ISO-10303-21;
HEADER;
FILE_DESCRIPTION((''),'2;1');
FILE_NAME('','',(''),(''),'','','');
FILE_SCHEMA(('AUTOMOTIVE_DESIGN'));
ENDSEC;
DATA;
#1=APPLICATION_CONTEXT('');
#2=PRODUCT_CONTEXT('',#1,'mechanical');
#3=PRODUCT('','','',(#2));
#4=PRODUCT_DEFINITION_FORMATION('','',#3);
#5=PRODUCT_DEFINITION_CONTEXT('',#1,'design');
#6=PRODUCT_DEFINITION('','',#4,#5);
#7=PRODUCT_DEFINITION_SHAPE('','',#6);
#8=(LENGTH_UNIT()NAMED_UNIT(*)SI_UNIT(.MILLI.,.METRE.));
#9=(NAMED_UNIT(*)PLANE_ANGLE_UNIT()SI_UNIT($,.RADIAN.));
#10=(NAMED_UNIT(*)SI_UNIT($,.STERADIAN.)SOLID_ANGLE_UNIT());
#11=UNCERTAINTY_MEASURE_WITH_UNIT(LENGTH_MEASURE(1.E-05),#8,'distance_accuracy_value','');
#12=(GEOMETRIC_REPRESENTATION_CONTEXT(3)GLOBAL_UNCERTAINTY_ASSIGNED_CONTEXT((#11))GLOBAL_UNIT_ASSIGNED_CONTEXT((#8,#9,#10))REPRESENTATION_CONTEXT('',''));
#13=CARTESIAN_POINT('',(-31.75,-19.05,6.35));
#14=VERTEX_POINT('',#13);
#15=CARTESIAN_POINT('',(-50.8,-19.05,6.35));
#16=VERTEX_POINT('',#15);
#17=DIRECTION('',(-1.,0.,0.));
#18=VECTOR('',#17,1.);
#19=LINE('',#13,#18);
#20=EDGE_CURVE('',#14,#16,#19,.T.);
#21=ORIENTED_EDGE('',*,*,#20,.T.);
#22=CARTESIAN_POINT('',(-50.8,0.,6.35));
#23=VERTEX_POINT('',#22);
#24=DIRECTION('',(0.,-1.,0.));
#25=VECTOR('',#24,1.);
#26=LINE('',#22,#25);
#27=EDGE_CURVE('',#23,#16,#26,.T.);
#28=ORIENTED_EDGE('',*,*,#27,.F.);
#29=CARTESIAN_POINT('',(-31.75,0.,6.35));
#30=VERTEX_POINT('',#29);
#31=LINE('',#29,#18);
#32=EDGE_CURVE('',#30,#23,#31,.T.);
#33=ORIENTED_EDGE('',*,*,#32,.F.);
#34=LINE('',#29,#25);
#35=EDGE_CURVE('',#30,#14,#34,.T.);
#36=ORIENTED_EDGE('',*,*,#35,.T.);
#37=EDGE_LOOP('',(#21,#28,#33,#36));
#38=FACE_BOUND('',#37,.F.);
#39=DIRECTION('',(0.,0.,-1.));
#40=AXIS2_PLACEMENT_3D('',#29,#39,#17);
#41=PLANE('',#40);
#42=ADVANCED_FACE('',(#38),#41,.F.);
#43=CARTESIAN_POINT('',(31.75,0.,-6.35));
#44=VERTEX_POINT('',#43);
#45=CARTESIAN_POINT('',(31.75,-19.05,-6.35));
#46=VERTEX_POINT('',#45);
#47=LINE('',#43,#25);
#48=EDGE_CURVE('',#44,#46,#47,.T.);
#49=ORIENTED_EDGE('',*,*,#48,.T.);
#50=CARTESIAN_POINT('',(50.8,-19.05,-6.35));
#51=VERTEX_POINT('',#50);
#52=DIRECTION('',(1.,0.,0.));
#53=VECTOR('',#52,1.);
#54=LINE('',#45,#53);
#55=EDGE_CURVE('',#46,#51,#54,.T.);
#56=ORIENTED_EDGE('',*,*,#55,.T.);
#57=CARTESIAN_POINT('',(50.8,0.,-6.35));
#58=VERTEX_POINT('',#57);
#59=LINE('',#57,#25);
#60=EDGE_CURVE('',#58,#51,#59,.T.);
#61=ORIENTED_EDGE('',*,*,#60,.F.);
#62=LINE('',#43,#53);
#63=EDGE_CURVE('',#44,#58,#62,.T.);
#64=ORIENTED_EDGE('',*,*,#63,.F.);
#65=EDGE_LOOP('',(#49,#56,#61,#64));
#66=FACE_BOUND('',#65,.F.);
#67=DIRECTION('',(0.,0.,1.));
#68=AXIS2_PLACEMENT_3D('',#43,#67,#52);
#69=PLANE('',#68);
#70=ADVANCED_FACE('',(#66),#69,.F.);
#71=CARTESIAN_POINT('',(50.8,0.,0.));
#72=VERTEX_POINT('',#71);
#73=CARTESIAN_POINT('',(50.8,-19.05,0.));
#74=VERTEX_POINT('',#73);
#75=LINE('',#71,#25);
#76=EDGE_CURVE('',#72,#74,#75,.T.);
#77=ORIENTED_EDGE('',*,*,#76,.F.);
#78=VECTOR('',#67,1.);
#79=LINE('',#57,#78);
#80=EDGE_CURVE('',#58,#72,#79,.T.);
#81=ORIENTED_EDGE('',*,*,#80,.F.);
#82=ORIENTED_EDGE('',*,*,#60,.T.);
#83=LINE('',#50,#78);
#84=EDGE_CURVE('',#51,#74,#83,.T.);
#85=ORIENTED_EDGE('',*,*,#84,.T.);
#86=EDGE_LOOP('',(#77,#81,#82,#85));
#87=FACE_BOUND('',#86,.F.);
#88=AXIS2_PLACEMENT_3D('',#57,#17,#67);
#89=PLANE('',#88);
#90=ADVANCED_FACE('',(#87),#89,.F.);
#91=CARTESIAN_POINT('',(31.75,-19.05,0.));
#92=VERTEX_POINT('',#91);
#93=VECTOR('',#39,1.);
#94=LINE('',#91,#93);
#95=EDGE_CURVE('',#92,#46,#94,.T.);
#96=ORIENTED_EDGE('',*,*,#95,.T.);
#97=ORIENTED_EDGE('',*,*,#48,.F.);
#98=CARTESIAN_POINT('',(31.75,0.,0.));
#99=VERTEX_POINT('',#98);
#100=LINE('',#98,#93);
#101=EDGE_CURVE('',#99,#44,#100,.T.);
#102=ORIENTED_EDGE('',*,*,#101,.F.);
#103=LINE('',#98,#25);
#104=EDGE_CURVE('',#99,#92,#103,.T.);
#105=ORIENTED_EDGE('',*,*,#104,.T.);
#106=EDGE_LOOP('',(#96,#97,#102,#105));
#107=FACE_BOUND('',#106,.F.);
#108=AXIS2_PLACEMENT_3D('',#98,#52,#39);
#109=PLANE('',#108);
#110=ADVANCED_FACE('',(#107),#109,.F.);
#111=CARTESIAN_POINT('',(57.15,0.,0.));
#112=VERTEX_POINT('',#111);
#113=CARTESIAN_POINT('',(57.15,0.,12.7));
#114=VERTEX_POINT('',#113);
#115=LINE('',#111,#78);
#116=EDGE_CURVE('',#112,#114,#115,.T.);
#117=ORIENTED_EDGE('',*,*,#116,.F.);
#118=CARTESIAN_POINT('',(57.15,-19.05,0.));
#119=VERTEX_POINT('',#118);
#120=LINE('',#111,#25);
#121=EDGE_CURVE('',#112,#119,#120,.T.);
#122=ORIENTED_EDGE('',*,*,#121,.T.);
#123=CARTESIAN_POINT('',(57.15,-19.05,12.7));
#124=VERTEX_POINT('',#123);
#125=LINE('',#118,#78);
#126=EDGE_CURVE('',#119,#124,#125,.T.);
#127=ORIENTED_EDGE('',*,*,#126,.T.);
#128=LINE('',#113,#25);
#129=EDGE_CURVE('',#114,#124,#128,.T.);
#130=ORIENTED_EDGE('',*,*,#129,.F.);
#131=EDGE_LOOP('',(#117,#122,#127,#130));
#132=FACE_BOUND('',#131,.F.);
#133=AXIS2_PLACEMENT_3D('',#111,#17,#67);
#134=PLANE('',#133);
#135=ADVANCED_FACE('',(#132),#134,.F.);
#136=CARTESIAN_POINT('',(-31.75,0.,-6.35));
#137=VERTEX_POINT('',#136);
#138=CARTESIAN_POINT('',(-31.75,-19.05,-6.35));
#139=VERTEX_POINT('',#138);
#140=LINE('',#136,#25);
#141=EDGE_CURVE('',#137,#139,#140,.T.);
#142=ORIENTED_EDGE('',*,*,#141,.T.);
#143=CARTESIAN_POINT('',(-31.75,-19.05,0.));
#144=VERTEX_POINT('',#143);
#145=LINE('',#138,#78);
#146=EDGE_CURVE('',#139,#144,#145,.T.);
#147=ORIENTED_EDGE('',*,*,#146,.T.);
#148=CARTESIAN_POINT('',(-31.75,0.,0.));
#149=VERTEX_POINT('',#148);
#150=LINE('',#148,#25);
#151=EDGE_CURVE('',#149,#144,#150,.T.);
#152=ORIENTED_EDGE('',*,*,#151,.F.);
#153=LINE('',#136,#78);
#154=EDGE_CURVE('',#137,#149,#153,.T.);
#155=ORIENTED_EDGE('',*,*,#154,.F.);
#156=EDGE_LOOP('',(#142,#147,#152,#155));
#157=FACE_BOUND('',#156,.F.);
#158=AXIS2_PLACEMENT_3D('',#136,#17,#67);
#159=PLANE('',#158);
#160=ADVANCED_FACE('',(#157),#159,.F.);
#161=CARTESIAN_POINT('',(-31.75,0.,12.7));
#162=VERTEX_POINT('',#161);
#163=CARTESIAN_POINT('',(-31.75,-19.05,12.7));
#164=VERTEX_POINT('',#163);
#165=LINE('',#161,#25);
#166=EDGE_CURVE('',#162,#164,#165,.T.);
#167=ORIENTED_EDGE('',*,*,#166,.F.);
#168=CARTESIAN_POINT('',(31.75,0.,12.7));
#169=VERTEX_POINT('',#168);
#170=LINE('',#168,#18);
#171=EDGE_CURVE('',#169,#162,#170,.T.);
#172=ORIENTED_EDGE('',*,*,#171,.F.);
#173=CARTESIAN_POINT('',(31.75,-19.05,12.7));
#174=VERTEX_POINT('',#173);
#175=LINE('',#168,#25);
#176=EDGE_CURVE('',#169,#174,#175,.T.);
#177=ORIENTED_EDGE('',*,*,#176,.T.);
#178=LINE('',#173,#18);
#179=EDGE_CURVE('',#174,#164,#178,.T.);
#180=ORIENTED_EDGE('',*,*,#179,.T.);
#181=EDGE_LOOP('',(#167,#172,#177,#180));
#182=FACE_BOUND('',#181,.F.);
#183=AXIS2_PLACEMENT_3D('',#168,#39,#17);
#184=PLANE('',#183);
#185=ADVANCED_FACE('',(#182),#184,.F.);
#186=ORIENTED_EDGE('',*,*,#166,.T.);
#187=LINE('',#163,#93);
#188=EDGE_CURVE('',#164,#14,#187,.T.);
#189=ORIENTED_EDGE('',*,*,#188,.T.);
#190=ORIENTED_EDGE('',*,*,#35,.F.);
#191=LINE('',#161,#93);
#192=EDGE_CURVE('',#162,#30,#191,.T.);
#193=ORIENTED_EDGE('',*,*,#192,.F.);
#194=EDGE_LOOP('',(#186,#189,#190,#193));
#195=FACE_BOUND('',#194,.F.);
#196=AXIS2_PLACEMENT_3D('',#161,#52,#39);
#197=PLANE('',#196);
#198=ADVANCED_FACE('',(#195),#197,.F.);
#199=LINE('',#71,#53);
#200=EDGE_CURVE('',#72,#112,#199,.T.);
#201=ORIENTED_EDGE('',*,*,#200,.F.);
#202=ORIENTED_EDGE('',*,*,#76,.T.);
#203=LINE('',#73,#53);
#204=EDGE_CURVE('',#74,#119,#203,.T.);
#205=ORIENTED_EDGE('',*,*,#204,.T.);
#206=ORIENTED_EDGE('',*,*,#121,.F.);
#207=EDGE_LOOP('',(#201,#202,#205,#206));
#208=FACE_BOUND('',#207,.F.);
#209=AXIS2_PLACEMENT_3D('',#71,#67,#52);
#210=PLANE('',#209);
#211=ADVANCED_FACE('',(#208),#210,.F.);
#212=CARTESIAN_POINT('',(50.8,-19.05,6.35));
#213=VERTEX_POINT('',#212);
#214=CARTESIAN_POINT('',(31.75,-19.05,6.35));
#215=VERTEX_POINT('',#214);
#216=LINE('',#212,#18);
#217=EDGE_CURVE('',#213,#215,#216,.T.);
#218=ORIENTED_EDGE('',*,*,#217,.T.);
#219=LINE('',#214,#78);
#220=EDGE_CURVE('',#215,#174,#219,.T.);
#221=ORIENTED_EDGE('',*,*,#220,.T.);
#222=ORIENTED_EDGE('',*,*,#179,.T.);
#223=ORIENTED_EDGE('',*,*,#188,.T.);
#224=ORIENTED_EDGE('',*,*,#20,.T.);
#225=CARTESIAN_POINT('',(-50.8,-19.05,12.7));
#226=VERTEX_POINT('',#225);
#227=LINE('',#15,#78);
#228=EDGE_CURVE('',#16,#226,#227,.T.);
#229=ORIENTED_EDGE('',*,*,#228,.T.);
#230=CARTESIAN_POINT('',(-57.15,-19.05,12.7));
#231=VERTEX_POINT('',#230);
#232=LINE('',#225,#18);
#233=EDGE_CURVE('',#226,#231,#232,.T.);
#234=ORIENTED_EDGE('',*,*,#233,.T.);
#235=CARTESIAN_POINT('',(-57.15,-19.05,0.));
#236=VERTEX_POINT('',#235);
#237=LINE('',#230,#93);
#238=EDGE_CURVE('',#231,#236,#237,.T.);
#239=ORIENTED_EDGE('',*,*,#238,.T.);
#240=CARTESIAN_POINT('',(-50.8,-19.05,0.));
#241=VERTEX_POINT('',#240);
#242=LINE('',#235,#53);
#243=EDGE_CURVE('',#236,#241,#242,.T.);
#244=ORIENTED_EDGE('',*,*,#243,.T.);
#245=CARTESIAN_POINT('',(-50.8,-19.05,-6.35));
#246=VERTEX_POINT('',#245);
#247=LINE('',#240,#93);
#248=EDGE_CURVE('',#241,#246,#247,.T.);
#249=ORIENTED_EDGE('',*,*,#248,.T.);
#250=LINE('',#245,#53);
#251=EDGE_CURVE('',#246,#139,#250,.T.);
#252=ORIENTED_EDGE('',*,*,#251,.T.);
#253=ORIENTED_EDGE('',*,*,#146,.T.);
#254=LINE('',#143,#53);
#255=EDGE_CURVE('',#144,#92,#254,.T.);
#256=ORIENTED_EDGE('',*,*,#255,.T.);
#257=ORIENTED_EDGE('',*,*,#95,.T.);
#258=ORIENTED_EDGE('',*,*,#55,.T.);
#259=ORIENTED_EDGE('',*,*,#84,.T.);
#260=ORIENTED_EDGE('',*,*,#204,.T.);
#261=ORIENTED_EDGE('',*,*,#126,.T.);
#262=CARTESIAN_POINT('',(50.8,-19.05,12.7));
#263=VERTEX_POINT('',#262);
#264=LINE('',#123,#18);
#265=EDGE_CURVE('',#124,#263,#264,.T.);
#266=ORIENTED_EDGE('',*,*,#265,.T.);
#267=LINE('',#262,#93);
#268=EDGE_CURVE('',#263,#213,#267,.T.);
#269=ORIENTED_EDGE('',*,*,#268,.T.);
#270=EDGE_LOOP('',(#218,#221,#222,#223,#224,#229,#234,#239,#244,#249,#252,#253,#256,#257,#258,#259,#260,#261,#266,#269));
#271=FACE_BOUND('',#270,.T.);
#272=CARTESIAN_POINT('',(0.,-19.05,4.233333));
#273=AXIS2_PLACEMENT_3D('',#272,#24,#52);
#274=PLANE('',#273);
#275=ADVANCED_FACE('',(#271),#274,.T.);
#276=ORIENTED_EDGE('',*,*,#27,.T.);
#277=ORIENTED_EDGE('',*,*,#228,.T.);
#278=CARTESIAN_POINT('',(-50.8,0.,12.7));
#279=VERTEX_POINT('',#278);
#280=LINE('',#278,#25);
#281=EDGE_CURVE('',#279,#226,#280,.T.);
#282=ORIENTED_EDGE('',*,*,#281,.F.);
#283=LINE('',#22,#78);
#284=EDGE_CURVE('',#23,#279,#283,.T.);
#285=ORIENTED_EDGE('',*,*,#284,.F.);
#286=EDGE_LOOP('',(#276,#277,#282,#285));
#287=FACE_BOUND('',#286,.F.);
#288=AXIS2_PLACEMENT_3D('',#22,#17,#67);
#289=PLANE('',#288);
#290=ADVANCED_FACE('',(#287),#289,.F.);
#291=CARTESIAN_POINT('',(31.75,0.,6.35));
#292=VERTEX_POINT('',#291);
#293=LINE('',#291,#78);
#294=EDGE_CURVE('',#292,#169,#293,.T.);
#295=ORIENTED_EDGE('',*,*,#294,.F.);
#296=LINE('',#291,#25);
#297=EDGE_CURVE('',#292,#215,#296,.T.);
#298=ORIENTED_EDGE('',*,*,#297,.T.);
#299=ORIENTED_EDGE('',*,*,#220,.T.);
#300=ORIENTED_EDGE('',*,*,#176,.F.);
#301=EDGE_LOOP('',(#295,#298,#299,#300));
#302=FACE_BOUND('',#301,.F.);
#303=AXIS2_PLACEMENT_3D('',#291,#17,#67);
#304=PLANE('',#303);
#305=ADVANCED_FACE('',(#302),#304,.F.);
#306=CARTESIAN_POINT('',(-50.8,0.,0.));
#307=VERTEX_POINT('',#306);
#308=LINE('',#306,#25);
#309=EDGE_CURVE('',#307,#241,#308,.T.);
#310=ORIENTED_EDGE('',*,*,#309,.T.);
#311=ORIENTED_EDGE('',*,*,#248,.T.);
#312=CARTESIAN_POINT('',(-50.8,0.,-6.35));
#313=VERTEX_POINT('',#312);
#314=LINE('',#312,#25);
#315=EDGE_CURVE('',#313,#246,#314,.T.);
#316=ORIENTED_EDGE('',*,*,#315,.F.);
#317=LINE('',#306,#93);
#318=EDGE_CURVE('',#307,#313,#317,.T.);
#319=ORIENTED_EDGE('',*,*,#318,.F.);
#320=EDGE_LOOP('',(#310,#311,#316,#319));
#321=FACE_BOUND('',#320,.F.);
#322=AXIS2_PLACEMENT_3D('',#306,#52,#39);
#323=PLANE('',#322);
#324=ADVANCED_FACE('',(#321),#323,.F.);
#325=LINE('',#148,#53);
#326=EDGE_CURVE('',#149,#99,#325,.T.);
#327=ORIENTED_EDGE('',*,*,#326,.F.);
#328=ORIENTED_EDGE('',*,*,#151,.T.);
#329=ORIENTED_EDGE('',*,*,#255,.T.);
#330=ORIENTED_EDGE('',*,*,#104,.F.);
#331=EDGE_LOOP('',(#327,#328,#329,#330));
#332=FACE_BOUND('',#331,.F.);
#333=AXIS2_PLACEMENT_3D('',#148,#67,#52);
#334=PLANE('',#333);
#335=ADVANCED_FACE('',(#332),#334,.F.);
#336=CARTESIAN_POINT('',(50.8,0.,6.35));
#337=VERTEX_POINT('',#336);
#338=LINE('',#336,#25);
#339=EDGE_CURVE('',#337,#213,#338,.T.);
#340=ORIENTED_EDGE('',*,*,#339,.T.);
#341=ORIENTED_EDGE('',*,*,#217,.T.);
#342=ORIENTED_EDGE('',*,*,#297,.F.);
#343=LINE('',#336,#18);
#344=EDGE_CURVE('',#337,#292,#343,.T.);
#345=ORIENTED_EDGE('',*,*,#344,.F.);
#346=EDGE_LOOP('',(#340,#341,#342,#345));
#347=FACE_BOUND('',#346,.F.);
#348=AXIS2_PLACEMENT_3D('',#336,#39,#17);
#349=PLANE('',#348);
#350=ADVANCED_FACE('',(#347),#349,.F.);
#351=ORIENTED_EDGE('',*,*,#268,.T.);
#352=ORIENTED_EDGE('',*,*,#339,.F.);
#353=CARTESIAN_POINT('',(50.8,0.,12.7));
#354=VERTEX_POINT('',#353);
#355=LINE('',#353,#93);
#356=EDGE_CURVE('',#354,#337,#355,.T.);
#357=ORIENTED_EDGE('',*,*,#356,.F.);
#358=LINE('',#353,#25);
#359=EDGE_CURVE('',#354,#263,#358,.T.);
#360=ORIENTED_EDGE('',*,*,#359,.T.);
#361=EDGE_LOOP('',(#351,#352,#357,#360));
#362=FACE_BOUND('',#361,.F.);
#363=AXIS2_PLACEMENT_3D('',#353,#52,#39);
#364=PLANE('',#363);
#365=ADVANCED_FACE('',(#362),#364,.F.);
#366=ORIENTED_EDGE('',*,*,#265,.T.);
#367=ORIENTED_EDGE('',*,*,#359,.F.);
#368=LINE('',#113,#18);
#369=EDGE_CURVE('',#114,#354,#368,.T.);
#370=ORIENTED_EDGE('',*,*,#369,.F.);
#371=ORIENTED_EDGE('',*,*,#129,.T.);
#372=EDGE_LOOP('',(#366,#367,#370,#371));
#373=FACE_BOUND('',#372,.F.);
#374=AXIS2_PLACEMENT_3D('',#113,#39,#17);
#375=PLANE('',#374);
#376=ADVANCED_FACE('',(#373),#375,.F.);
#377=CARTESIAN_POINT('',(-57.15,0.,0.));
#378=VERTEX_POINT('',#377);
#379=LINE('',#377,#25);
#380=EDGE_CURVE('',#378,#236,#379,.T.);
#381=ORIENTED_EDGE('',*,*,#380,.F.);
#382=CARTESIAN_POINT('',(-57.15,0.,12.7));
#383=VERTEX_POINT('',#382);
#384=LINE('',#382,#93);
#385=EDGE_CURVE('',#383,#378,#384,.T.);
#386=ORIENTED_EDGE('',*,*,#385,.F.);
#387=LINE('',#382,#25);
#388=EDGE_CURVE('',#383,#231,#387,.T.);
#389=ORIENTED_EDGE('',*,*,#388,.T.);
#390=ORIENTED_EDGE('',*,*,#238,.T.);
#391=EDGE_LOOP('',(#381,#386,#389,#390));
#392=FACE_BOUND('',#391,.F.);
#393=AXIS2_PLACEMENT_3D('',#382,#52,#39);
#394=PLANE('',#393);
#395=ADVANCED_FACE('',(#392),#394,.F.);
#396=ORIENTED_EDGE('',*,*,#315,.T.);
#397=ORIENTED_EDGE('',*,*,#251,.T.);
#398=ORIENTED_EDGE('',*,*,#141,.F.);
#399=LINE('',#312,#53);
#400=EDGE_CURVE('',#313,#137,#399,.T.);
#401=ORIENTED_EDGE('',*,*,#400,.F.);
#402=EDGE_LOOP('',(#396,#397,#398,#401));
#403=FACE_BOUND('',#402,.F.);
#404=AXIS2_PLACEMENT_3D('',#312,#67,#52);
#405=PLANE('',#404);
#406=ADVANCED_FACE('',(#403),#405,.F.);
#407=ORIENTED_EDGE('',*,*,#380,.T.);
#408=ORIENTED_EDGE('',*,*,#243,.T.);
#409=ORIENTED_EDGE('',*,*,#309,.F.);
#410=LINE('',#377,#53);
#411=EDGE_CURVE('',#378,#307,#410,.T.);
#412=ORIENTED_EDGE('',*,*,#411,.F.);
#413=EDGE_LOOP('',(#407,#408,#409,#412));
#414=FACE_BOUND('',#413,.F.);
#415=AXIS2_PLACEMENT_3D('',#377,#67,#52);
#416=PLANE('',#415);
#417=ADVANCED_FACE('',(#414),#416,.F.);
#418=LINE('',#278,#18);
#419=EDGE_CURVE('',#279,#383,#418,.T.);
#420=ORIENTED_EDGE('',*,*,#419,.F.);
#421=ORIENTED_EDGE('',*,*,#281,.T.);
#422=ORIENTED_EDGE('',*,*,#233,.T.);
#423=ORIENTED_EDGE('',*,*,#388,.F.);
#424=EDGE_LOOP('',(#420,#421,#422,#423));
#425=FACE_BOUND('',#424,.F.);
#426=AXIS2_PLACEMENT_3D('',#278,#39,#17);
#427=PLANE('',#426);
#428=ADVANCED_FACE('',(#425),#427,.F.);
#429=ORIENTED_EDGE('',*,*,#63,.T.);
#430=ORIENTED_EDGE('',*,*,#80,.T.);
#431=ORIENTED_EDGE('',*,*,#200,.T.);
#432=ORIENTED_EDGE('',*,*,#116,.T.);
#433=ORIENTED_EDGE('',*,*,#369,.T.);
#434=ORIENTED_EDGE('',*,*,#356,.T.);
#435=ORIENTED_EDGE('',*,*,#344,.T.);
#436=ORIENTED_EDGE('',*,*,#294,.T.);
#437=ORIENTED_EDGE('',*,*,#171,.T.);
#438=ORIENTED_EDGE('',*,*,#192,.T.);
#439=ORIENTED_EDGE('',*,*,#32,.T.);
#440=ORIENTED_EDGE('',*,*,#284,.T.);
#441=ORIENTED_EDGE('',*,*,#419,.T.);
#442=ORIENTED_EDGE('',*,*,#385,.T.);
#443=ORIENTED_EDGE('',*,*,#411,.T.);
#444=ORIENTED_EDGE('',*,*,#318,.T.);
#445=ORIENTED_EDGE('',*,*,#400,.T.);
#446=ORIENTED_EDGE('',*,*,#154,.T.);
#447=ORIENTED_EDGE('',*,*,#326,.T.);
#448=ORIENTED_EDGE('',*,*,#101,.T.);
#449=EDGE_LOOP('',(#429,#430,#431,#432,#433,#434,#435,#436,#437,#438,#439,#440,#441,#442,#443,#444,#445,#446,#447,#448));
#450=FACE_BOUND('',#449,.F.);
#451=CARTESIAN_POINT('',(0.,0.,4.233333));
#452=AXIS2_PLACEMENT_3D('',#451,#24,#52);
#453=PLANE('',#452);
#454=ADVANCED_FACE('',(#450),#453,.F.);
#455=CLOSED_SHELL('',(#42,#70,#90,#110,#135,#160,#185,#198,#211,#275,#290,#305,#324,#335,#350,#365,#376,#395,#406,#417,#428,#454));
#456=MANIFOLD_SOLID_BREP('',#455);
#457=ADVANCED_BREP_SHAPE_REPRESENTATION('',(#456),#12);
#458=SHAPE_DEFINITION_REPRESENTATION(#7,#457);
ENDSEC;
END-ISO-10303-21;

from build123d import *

# Parameters (mm, degrees)
F1_DEPTH = 19.05


with BuildPart() as f1:
    # F0 (on Front) → F1 (new body)
    with BuildSketch(Plane.XZ):
        Polygon((-31.75, 0), (0, 0), (31.75, 0), (31.75, -6.35), (50.8, -6.35), (50.8, 0), (57.15, 0), (57.15, 12.7), (50.8, 12.7), (50.8, 6.35), (31.75, 6.35), (31.75, 12.7), (0, 12.7), (-31.75, 12.7), (-31.75, 6.35), (-50.8, 6.35), (-50.8, 12.7), (-57.15, 12.7), (-57.15, 0), (-50.8, 0), (-50.8, -6.35), (-31.75, -6.35), align=None)
    extrude(amount=F1_DEPTH)


solid = f1.part
